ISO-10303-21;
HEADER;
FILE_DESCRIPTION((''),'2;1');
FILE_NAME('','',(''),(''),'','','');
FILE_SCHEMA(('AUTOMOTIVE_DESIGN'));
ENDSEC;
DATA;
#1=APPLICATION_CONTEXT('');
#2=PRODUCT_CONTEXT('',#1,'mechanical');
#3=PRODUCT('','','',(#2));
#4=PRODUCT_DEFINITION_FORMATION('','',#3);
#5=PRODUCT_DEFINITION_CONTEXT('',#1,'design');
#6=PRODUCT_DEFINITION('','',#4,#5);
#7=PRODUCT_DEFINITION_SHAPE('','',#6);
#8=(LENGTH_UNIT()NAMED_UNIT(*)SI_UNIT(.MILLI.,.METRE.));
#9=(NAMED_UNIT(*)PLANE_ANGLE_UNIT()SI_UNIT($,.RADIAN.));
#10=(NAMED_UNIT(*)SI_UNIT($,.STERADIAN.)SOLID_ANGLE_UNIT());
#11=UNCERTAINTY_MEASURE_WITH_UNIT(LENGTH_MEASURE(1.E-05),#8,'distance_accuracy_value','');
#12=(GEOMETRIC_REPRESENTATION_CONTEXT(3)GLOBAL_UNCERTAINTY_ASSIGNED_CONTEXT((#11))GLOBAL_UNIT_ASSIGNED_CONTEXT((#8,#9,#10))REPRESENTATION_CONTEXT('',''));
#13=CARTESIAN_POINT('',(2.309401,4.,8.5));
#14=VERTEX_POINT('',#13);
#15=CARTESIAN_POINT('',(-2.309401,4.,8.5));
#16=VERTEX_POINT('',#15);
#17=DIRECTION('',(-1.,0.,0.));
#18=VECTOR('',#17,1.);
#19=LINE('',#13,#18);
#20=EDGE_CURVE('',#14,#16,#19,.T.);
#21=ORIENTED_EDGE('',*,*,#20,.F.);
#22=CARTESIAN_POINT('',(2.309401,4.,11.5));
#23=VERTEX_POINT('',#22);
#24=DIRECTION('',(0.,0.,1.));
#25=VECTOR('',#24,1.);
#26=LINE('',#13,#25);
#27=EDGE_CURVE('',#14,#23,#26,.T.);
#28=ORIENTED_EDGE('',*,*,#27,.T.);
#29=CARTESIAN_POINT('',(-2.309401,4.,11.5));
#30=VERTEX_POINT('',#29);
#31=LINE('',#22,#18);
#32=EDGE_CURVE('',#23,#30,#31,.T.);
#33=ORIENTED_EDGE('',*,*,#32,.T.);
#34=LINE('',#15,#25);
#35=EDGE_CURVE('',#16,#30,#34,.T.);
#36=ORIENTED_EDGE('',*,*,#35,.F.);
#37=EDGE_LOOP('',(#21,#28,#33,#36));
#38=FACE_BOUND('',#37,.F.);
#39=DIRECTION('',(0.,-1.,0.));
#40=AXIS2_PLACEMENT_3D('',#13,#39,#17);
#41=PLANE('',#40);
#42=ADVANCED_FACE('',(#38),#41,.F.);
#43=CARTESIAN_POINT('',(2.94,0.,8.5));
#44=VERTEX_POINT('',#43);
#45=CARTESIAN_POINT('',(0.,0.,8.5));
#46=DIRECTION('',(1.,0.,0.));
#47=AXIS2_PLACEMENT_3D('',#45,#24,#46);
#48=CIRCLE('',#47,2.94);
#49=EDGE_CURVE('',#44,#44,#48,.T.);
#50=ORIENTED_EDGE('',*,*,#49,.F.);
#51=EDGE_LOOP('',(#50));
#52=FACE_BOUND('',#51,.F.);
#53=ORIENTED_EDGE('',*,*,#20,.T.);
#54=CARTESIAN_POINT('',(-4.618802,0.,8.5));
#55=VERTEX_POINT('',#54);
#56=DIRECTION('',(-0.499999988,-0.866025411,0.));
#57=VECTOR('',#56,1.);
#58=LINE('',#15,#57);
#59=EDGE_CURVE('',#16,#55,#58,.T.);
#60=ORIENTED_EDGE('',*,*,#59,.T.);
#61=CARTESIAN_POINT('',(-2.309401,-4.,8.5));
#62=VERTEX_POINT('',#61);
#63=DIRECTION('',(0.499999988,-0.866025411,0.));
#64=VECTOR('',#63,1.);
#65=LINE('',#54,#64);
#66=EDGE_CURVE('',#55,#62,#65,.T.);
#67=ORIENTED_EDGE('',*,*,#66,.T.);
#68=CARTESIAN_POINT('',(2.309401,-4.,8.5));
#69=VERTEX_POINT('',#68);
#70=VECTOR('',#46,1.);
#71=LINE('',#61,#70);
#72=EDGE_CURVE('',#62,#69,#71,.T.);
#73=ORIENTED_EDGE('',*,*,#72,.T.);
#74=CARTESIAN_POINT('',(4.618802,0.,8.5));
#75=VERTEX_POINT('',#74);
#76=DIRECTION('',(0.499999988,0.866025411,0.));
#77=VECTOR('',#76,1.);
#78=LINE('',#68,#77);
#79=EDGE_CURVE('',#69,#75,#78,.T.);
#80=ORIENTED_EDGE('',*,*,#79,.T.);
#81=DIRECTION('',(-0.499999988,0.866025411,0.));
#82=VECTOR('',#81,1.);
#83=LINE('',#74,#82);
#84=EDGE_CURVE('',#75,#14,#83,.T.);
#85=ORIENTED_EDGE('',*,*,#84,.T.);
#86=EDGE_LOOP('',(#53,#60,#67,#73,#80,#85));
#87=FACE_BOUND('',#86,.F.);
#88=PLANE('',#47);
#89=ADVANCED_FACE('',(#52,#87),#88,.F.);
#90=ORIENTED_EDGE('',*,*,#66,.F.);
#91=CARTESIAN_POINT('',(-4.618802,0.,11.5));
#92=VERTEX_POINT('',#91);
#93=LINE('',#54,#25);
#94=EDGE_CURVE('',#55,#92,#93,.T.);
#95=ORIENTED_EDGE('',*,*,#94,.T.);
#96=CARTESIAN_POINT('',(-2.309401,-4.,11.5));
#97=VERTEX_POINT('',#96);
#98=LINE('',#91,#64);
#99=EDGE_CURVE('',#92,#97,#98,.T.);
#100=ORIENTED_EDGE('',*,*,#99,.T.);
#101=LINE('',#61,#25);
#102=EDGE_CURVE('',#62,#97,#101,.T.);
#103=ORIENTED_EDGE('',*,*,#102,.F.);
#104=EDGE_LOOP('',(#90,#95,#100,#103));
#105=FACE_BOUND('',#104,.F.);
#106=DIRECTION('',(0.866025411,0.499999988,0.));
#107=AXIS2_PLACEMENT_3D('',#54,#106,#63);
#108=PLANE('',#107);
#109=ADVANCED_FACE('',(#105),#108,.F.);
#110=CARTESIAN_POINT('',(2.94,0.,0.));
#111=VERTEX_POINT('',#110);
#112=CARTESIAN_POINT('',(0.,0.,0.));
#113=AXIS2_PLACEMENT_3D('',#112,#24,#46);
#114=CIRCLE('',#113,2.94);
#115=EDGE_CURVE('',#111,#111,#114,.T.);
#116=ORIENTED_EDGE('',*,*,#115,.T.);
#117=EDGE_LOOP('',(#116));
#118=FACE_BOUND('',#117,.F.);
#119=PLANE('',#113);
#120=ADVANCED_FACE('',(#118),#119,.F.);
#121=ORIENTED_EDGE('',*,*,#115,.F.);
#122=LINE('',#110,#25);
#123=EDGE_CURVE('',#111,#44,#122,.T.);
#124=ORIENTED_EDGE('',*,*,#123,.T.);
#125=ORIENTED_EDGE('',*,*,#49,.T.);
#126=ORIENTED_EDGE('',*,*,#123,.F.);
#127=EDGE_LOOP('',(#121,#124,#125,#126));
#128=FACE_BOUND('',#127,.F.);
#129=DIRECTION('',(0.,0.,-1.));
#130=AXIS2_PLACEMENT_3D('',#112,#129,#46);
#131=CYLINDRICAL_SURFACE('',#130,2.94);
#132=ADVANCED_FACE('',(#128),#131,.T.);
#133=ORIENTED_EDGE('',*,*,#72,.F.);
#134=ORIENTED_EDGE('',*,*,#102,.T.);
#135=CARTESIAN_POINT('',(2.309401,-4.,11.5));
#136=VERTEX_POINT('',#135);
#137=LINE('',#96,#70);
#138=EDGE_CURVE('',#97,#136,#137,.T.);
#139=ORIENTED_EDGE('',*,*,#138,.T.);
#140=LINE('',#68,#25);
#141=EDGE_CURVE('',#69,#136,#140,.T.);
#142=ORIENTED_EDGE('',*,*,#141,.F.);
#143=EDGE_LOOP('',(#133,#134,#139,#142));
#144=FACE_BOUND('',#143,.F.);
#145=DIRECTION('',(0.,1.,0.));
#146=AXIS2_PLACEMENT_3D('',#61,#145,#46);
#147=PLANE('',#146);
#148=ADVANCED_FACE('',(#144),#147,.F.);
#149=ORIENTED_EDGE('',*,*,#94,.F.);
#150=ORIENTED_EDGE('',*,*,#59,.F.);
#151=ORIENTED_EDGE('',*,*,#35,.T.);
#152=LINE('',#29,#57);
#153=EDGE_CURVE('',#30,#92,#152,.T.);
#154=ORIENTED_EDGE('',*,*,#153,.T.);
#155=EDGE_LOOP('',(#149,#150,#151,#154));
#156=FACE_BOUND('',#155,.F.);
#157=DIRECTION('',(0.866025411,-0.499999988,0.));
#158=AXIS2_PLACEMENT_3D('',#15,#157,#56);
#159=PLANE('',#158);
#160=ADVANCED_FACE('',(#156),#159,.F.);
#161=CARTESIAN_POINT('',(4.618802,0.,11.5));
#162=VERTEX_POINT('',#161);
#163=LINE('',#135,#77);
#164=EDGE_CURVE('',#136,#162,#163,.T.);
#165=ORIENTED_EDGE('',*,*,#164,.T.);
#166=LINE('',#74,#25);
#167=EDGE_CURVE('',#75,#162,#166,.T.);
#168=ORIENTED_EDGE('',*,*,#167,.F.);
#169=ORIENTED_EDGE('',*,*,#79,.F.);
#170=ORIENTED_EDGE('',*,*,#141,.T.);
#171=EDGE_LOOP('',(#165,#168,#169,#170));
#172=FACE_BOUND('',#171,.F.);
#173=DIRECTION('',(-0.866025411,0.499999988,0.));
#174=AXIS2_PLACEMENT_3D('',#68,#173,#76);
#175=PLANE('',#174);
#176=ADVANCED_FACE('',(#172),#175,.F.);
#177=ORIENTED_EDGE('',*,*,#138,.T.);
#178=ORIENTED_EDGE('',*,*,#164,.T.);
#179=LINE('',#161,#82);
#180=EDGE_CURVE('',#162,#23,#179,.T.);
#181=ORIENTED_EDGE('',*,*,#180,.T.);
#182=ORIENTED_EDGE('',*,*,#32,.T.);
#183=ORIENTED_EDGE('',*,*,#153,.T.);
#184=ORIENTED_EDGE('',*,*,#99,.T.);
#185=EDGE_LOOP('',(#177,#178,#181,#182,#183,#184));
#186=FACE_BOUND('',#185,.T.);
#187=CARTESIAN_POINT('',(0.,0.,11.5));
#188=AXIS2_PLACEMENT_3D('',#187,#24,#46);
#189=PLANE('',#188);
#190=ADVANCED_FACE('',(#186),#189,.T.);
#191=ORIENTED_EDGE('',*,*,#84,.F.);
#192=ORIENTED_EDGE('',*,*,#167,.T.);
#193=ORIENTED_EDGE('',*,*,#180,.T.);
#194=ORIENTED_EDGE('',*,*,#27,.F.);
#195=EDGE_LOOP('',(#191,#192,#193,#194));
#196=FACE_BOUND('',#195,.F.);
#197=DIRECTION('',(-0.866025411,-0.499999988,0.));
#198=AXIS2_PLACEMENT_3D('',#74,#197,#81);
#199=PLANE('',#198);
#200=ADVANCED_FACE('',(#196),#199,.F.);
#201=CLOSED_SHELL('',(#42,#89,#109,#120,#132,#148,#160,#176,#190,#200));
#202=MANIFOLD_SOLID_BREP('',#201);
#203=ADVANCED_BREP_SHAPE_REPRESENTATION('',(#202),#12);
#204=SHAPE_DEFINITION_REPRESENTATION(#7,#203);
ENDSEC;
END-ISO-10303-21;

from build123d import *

# Parameters (mm, degrees)
CYLINDER_R     = 2.94
CYLINDER_DEPTH = 8.5
PAD_DEPTH      = 3


with BuildPart() as part:
    # Cylinder → Cylinder (new body)
    with BuildSketch(Plane.XY):
        Circle(CYLINDER_R)
    extrude(amount=CYLINDER_DEPTH)

    # Sketch → Pad (new body)
    with BuildSketch(Plane.XY.offset(8.5)):
        Polygon((-2.309401, 4), (-4.618802, 0), (-2.309401, -4), (2.309401, -4), (4.618802, 0), (2.309401, 4), align=None)
    extrude(amount=PAD_DEPTH)


solid = part.part
